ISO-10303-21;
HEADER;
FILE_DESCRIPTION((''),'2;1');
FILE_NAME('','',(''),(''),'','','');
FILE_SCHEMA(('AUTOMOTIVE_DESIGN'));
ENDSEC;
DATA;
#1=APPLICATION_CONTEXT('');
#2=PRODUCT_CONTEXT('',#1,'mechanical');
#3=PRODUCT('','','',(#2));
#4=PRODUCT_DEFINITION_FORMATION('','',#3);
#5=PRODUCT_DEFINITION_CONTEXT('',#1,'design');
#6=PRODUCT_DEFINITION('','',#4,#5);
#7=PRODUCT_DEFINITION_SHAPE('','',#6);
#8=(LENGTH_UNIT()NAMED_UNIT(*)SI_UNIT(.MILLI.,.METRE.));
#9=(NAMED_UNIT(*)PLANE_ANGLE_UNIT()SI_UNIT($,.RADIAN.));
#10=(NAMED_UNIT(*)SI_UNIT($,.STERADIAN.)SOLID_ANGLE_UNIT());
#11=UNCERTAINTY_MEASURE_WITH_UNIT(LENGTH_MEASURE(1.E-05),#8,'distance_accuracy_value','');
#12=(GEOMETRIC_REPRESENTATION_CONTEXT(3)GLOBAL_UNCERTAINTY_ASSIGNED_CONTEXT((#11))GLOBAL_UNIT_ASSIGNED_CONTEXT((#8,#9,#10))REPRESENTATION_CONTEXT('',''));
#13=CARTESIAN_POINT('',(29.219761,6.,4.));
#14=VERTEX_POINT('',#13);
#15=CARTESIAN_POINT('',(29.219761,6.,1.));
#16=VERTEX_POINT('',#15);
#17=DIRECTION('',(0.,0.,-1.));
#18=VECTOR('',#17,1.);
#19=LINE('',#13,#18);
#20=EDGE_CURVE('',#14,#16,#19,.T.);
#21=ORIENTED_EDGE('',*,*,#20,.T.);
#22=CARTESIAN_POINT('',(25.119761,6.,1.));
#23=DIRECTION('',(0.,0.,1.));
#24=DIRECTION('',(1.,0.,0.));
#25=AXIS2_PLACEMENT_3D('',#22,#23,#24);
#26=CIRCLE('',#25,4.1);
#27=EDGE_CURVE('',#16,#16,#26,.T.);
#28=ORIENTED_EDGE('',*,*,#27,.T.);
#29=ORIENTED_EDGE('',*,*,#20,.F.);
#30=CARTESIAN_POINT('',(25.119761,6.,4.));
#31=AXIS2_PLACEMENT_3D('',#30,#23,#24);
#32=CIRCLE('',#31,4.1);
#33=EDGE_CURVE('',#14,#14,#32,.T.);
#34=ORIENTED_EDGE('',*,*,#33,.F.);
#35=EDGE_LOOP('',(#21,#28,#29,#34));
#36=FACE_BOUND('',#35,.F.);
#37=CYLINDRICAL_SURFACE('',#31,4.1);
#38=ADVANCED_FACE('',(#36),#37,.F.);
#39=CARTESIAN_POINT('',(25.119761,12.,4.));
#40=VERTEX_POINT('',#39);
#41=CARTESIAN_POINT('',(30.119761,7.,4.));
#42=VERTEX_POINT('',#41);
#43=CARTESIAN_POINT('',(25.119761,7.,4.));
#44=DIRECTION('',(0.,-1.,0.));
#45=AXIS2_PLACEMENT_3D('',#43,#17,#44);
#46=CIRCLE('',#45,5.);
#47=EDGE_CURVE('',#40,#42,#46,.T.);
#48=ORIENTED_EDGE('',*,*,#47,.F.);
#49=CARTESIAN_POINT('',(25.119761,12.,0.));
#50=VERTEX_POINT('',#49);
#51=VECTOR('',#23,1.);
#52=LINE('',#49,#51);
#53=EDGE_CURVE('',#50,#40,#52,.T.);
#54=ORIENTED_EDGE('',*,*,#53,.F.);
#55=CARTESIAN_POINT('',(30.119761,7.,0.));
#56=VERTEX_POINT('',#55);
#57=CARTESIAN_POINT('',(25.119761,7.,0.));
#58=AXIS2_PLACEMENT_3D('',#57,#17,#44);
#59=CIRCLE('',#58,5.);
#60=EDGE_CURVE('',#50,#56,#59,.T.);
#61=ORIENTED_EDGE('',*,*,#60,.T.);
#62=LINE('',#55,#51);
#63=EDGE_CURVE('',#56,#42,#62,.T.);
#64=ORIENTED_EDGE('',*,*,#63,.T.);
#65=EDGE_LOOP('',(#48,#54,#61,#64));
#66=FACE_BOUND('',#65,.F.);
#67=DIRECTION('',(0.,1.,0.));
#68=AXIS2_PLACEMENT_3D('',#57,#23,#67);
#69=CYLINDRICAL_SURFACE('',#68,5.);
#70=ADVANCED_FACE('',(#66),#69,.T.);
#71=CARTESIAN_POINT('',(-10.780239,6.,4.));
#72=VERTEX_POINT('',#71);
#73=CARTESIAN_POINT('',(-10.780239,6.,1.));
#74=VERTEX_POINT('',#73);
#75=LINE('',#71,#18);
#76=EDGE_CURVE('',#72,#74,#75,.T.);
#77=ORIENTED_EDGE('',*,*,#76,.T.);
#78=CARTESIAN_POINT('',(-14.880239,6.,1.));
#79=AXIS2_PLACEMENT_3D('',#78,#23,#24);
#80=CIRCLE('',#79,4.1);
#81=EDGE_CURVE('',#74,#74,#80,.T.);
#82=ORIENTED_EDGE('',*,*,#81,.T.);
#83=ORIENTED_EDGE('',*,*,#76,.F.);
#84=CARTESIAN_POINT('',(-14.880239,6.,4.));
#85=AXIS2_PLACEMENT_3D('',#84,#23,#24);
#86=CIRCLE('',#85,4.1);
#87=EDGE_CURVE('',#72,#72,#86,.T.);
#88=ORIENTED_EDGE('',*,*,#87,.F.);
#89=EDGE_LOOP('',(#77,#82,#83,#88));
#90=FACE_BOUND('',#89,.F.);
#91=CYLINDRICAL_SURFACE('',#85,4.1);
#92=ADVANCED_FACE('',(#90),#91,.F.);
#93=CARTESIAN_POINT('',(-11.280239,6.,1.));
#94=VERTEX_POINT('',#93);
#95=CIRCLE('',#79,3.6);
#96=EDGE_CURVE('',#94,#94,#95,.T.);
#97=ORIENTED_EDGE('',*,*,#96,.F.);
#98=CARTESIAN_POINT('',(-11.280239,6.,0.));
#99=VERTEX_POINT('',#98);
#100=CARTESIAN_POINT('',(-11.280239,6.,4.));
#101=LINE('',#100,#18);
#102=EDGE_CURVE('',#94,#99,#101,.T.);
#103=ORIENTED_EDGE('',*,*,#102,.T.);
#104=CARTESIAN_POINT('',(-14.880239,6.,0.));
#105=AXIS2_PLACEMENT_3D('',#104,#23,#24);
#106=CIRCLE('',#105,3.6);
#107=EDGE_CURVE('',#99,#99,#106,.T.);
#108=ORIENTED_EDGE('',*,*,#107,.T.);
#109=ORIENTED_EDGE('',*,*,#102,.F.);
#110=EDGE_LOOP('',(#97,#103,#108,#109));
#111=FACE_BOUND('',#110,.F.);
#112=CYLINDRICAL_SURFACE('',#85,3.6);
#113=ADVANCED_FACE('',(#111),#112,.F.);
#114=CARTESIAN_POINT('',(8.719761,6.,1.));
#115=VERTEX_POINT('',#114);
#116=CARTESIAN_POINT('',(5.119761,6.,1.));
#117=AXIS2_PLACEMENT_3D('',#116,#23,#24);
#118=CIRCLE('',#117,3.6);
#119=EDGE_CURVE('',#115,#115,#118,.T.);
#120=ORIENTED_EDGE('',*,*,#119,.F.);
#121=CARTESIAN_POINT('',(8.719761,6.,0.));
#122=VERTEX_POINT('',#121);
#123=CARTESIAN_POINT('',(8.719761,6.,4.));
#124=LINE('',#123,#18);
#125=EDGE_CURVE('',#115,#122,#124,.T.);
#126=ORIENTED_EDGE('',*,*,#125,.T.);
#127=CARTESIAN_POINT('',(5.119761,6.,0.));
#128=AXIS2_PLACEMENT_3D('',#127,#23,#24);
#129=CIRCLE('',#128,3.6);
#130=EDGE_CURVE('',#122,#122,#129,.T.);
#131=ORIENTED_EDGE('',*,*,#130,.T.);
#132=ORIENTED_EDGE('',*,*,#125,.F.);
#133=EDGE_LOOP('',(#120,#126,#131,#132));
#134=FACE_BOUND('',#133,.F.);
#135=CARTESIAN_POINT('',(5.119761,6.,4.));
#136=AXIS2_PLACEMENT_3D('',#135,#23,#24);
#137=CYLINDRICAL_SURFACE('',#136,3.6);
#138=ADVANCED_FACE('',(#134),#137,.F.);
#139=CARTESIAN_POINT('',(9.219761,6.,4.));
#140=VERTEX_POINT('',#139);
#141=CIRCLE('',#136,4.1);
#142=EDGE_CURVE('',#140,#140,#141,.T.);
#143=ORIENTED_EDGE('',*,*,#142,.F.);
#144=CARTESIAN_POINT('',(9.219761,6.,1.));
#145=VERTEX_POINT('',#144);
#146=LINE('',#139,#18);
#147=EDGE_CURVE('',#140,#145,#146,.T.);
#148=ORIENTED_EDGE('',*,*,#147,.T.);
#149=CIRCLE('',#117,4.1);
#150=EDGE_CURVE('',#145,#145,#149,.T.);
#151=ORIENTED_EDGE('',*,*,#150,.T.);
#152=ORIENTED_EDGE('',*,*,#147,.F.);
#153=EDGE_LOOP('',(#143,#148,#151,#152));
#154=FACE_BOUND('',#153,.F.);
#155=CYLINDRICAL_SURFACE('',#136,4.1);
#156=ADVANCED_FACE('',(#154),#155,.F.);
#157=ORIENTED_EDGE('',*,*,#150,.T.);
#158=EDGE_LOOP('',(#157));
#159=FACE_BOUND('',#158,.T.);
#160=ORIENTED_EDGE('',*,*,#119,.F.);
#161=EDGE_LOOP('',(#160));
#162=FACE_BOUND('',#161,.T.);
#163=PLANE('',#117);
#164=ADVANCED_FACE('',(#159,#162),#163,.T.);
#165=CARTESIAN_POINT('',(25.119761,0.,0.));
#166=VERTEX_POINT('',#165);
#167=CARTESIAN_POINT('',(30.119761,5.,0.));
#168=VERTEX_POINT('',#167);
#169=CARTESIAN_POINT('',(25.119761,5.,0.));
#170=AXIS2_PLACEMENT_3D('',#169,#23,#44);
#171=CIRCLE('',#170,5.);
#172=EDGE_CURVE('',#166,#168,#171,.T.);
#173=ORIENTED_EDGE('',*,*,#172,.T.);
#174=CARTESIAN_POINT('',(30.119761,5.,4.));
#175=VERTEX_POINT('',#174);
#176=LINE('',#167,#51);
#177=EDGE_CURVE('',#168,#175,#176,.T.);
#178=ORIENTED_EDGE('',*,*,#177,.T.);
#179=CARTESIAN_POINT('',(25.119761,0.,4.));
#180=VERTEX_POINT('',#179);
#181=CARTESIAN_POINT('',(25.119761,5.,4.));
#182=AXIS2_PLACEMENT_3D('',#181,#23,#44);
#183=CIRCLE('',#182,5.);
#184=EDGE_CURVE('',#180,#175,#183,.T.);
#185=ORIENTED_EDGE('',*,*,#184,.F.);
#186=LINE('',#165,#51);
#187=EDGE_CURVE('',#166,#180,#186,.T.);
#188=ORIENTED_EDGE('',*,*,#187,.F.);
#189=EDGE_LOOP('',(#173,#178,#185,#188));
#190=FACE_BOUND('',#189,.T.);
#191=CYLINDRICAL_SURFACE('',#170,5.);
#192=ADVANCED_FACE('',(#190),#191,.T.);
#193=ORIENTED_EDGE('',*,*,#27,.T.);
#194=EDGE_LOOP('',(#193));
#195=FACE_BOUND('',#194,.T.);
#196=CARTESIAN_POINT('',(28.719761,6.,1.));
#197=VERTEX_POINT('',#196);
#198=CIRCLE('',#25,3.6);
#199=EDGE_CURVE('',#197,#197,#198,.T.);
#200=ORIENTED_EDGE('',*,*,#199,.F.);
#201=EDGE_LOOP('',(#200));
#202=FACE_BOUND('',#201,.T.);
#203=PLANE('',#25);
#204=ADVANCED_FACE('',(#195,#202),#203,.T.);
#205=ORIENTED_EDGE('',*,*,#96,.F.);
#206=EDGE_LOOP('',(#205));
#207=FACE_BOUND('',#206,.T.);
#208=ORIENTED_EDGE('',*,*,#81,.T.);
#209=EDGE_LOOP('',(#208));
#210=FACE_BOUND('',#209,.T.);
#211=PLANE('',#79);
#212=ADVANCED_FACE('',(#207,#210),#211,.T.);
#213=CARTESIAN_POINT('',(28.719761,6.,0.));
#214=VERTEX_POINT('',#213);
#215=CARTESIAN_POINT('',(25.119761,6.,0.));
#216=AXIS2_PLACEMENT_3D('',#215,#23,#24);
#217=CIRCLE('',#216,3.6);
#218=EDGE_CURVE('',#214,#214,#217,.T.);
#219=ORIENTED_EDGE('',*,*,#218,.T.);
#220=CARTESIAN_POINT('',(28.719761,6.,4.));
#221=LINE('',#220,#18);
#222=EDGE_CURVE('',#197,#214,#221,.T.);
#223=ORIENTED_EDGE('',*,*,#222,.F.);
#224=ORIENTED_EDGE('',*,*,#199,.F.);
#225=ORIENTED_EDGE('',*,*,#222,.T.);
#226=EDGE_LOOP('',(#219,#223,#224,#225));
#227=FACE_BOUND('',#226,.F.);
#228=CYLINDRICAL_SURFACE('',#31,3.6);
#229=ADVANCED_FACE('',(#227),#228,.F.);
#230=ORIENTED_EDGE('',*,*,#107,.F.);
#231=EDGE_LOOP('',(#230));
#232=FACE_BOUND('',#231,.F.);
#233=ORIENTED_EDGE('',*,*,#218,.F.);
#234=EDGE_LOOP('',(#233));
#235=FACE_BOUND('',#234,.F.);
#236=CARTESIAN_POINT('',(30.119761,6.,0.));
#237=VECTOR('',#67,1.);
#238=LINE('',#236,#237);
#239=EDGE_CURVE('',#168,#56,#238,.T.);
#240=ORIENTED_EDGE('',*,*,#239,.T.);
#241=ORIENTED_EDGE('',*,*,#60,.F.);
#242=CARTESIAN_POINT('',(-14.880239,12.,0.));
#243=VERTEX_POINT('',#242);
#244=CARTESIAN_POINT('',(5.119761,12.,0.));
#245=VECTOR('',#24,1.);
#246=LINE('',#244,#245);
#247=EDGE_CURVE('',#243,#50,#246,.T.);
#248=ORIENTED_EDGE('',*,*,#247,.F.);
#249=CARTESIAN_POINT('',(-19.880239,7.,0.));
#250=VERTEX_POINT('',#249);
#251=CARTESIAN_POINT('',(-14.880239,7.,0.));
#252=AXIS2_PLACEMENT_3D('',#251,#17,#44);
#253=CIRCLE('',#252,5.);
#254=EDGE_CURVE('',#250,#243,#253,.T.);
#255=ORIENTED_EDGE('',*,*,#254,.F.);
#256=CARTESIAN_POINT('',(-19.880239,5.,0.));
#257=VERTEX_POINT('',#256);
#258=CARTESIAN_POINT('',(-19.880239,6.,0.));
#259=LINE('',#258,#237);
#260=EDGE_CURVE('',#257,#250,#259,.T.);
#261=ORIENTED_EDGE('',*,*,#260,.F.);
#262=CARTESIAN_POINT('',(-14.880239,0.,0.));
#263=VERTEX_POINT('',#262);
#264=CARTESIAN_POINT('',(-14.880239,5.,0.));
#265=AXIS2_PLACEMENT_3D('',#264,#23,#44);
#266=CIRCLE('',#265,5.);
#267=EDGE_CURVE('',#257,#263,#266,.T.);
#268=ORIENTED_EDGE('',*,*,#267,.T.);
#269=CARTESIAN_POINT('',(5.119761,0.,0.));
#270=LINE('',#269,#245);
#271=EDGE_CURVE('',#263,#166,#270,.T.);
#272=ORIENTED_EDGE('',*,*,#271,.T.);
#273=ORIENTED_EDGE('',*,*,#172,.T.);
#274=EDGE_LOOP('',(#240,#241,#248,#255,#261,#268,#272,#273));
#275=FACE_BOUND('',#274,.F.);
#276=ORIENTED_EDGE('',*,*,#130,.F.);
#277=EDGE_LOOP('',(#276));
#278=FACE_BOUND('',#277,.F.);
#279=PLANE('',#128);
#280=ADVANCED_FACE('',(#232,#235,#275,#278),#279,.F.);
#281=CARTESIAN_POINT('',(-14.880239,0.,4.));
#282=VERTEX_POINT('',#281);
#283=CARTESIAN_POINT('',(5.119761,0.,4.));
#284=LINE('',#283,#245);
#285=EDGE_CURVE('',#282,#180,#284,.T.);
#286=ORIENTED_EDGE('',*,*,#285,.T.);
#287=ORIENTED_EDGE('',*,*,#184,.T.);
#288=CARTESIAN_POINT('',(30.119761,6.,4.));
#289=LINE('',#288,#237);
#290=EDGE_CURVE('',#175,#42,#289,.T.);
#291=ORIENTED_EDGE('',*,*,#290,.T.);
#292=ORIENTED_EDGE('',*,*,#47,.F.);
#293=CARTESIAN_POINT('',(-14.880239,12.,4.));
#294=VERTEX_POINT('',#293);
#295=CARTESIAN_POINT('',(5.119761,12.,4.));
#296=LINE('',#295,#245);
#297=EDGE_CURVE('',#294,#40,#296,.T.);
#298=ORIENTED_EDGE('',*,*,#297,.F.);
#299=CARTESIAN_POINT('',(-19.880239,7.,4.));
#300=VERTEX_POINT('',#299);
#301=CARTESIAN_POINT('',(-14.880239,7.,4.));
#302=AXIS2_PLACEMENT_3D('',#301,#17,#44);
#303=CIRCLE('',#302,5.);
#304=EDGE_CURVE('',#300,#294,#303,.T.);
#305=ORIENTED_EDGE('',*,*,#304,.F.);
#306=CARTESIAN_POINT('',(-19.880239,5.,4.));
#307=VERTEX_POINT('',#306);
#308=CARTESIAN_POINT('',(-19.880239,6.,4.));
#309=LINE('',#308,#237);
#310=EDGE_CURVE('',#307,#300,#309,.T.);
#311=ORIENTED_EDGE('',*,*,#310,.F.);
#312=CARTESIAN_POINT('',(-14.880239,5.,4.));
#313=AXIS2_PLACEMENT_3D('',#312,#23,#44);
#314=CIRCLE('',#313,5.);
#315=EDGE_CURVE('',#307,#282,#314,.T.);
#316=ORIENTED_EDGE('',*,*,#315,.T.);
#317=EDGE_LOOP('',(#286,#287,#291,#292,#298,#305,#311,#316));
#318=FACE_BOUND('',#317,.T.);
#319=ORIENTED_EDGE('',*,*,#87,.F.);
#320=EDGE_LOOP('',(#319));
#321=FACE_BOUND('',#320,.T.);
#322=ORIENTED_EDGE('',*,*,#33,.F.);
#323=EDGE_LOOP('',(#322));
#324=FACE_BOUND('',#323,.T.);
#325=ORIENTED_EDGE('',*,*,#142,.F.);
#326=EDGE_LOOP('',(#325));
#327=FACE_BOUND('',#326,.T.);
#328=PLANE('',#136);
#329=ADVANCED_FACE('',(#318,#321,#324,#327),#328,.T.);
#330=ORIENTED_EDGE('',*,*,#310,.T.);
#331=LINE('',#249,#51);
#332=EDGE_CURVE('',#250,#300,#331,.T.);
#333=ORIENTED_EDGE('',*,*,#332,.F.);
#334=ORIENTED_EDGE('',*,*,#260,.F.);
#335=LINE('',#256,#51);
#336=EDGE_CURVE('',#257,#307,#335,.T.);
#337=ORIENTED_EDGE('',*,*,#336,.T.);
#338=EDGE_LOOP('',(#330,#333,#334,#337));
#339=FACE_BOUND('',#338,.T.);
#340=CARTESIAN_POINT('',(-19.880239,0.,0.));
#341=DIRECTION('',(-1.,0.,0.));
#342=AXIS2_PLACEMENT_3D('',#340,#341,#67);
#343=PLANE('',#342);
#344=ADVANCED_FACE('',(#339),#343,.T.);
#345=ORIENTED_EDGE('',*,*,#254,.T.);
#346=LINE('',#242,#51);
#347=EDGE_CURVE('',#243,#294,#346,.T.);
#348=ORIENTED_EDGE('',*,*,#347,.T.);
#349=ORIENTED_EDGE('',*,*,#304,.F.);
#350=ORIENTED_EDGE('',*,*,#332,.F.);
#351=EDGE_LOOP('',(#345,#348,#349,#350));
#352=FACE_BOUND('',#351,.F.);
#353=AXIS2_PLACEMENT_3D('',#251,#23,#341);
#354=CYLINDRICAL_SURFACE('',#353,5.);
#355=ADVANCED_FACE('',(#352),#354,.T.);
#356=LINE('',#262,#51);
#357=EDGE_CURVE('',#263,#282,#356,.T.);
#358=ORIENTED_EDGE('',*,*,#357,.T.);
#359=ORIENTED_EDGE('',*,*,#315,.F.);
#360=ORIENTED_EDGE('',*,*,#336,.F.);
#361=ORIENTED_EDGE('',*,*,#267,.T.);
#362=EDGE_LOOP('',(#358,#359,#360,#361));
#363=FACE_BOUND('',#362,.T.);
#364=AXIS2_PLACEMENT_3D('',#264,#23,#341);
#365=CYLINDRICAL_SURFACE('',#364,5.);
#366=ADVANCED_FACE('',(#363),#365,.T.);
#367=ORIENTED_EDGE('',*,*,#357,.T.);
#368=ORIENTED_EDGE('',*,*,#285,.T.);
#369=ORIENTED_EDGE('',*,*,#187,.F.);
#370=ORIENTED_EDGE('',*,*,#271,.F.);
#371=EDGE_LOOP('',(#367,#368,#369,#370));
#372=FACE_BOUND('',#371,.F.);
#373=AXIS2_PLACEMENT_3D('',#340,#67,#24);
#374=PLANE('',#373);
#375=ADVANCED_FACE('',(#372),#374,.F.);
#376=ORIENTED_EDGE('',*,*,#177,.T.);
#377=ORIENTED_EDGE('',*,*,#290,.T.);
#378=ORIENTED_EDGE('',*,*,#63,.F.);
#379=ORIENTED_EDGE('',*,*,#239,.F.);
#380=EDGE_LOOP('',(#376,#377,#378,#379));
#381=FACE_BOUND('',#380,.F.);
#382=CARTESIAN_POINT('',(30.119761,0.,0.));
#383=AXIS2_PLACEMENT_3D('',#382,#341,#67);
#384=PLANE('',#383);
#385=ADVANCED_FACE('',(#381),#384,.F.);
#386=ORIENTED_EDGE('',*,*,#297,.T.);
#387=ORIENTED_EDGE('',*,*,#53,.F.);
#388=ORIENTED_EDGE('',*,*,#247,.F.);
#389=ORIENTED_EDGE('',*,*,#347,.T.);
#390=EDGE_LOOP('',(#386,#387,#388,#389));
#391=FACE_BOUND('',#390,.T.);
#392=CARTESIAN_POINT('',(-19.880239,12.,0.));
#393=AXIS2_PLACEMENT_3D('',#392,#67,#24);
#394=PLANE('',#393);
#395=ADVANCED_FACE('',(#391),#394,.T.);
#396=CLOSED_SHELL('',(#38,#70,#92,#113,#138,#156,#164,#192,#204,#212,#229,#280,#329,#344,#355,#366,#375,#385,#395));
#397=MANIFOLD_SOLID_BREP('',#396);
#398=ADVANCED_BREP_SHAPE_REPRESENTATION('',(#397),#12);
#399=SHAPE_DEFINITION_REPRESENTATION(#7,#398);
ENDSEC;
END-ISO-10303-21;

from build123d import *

# Parameters (mm, degrees)
F0_W     = 50
F0_H     = 12
F1_DEPTH = 4
F2_R     = 4.1
F2_R_2   = 3.6
F3_DEPTH = 3
F4_DEPTH = 25
F5_R     = 5


with BuildPart() as f1:
    # F0 (on Top) → F1 (new body)
    with BuildSketch(Plane.XY):
        with Locations((5.119761, 6)):
            Rectangle(F0_W, F0_H)
    extrude(amount=F1_DEPTH)

    # F2 (on face) → F3 (cut)
    with BuildSketch(Plane.XY.offset(4)):
        with Locations((-14.880239, 6)):
            Circle(F2_R)
        with Locations((-14.880239, 6)):
            Circle(F2_R_2, mode=Mode.SUBTRACT)
        with Locations((5.119761, 6)):
            Circle(F2_R)
        with Locations((5.119761, 6)):
            Circle(F2_R_2, mode=Mode.SUBTRACT)
        with Locations((25.119761, 6)):
            Circle(F2_R)
        with Locations((25.119761, 6)):
            Circle(F2_R_2, mode=Mode.SUBTRACT)
    extrude(amount=-F3_DEPTH, mode=Mode.SUBTRACT)

    # F2 (on face) → F4 (cut)
    with BuildSketch(Plane.XY.offset(4)):
        with Locations((-14.880239, 6)):
            Circle(F2_R_2)
        with Locations((5.119761, 6)):
            Circle(F2_R_2)
        with Locations((25.119761, 6)):
            Circle(F2_R_2)
    extrude(amount=-F4_DEPTH, mode=Mode.SUBTRACT)

    # F5
    f5_edges = [f1.edges().sort_by_distance(p)[0] for p in [
        (30.119761, 12, 2),
        (30.119761, 0, 2),
        (-19.880239, 12, 2),
        (-19.880239, 0, 2),
    ]]
    fillet(f5_edges, radius=F5_R)


solid = f1.part
